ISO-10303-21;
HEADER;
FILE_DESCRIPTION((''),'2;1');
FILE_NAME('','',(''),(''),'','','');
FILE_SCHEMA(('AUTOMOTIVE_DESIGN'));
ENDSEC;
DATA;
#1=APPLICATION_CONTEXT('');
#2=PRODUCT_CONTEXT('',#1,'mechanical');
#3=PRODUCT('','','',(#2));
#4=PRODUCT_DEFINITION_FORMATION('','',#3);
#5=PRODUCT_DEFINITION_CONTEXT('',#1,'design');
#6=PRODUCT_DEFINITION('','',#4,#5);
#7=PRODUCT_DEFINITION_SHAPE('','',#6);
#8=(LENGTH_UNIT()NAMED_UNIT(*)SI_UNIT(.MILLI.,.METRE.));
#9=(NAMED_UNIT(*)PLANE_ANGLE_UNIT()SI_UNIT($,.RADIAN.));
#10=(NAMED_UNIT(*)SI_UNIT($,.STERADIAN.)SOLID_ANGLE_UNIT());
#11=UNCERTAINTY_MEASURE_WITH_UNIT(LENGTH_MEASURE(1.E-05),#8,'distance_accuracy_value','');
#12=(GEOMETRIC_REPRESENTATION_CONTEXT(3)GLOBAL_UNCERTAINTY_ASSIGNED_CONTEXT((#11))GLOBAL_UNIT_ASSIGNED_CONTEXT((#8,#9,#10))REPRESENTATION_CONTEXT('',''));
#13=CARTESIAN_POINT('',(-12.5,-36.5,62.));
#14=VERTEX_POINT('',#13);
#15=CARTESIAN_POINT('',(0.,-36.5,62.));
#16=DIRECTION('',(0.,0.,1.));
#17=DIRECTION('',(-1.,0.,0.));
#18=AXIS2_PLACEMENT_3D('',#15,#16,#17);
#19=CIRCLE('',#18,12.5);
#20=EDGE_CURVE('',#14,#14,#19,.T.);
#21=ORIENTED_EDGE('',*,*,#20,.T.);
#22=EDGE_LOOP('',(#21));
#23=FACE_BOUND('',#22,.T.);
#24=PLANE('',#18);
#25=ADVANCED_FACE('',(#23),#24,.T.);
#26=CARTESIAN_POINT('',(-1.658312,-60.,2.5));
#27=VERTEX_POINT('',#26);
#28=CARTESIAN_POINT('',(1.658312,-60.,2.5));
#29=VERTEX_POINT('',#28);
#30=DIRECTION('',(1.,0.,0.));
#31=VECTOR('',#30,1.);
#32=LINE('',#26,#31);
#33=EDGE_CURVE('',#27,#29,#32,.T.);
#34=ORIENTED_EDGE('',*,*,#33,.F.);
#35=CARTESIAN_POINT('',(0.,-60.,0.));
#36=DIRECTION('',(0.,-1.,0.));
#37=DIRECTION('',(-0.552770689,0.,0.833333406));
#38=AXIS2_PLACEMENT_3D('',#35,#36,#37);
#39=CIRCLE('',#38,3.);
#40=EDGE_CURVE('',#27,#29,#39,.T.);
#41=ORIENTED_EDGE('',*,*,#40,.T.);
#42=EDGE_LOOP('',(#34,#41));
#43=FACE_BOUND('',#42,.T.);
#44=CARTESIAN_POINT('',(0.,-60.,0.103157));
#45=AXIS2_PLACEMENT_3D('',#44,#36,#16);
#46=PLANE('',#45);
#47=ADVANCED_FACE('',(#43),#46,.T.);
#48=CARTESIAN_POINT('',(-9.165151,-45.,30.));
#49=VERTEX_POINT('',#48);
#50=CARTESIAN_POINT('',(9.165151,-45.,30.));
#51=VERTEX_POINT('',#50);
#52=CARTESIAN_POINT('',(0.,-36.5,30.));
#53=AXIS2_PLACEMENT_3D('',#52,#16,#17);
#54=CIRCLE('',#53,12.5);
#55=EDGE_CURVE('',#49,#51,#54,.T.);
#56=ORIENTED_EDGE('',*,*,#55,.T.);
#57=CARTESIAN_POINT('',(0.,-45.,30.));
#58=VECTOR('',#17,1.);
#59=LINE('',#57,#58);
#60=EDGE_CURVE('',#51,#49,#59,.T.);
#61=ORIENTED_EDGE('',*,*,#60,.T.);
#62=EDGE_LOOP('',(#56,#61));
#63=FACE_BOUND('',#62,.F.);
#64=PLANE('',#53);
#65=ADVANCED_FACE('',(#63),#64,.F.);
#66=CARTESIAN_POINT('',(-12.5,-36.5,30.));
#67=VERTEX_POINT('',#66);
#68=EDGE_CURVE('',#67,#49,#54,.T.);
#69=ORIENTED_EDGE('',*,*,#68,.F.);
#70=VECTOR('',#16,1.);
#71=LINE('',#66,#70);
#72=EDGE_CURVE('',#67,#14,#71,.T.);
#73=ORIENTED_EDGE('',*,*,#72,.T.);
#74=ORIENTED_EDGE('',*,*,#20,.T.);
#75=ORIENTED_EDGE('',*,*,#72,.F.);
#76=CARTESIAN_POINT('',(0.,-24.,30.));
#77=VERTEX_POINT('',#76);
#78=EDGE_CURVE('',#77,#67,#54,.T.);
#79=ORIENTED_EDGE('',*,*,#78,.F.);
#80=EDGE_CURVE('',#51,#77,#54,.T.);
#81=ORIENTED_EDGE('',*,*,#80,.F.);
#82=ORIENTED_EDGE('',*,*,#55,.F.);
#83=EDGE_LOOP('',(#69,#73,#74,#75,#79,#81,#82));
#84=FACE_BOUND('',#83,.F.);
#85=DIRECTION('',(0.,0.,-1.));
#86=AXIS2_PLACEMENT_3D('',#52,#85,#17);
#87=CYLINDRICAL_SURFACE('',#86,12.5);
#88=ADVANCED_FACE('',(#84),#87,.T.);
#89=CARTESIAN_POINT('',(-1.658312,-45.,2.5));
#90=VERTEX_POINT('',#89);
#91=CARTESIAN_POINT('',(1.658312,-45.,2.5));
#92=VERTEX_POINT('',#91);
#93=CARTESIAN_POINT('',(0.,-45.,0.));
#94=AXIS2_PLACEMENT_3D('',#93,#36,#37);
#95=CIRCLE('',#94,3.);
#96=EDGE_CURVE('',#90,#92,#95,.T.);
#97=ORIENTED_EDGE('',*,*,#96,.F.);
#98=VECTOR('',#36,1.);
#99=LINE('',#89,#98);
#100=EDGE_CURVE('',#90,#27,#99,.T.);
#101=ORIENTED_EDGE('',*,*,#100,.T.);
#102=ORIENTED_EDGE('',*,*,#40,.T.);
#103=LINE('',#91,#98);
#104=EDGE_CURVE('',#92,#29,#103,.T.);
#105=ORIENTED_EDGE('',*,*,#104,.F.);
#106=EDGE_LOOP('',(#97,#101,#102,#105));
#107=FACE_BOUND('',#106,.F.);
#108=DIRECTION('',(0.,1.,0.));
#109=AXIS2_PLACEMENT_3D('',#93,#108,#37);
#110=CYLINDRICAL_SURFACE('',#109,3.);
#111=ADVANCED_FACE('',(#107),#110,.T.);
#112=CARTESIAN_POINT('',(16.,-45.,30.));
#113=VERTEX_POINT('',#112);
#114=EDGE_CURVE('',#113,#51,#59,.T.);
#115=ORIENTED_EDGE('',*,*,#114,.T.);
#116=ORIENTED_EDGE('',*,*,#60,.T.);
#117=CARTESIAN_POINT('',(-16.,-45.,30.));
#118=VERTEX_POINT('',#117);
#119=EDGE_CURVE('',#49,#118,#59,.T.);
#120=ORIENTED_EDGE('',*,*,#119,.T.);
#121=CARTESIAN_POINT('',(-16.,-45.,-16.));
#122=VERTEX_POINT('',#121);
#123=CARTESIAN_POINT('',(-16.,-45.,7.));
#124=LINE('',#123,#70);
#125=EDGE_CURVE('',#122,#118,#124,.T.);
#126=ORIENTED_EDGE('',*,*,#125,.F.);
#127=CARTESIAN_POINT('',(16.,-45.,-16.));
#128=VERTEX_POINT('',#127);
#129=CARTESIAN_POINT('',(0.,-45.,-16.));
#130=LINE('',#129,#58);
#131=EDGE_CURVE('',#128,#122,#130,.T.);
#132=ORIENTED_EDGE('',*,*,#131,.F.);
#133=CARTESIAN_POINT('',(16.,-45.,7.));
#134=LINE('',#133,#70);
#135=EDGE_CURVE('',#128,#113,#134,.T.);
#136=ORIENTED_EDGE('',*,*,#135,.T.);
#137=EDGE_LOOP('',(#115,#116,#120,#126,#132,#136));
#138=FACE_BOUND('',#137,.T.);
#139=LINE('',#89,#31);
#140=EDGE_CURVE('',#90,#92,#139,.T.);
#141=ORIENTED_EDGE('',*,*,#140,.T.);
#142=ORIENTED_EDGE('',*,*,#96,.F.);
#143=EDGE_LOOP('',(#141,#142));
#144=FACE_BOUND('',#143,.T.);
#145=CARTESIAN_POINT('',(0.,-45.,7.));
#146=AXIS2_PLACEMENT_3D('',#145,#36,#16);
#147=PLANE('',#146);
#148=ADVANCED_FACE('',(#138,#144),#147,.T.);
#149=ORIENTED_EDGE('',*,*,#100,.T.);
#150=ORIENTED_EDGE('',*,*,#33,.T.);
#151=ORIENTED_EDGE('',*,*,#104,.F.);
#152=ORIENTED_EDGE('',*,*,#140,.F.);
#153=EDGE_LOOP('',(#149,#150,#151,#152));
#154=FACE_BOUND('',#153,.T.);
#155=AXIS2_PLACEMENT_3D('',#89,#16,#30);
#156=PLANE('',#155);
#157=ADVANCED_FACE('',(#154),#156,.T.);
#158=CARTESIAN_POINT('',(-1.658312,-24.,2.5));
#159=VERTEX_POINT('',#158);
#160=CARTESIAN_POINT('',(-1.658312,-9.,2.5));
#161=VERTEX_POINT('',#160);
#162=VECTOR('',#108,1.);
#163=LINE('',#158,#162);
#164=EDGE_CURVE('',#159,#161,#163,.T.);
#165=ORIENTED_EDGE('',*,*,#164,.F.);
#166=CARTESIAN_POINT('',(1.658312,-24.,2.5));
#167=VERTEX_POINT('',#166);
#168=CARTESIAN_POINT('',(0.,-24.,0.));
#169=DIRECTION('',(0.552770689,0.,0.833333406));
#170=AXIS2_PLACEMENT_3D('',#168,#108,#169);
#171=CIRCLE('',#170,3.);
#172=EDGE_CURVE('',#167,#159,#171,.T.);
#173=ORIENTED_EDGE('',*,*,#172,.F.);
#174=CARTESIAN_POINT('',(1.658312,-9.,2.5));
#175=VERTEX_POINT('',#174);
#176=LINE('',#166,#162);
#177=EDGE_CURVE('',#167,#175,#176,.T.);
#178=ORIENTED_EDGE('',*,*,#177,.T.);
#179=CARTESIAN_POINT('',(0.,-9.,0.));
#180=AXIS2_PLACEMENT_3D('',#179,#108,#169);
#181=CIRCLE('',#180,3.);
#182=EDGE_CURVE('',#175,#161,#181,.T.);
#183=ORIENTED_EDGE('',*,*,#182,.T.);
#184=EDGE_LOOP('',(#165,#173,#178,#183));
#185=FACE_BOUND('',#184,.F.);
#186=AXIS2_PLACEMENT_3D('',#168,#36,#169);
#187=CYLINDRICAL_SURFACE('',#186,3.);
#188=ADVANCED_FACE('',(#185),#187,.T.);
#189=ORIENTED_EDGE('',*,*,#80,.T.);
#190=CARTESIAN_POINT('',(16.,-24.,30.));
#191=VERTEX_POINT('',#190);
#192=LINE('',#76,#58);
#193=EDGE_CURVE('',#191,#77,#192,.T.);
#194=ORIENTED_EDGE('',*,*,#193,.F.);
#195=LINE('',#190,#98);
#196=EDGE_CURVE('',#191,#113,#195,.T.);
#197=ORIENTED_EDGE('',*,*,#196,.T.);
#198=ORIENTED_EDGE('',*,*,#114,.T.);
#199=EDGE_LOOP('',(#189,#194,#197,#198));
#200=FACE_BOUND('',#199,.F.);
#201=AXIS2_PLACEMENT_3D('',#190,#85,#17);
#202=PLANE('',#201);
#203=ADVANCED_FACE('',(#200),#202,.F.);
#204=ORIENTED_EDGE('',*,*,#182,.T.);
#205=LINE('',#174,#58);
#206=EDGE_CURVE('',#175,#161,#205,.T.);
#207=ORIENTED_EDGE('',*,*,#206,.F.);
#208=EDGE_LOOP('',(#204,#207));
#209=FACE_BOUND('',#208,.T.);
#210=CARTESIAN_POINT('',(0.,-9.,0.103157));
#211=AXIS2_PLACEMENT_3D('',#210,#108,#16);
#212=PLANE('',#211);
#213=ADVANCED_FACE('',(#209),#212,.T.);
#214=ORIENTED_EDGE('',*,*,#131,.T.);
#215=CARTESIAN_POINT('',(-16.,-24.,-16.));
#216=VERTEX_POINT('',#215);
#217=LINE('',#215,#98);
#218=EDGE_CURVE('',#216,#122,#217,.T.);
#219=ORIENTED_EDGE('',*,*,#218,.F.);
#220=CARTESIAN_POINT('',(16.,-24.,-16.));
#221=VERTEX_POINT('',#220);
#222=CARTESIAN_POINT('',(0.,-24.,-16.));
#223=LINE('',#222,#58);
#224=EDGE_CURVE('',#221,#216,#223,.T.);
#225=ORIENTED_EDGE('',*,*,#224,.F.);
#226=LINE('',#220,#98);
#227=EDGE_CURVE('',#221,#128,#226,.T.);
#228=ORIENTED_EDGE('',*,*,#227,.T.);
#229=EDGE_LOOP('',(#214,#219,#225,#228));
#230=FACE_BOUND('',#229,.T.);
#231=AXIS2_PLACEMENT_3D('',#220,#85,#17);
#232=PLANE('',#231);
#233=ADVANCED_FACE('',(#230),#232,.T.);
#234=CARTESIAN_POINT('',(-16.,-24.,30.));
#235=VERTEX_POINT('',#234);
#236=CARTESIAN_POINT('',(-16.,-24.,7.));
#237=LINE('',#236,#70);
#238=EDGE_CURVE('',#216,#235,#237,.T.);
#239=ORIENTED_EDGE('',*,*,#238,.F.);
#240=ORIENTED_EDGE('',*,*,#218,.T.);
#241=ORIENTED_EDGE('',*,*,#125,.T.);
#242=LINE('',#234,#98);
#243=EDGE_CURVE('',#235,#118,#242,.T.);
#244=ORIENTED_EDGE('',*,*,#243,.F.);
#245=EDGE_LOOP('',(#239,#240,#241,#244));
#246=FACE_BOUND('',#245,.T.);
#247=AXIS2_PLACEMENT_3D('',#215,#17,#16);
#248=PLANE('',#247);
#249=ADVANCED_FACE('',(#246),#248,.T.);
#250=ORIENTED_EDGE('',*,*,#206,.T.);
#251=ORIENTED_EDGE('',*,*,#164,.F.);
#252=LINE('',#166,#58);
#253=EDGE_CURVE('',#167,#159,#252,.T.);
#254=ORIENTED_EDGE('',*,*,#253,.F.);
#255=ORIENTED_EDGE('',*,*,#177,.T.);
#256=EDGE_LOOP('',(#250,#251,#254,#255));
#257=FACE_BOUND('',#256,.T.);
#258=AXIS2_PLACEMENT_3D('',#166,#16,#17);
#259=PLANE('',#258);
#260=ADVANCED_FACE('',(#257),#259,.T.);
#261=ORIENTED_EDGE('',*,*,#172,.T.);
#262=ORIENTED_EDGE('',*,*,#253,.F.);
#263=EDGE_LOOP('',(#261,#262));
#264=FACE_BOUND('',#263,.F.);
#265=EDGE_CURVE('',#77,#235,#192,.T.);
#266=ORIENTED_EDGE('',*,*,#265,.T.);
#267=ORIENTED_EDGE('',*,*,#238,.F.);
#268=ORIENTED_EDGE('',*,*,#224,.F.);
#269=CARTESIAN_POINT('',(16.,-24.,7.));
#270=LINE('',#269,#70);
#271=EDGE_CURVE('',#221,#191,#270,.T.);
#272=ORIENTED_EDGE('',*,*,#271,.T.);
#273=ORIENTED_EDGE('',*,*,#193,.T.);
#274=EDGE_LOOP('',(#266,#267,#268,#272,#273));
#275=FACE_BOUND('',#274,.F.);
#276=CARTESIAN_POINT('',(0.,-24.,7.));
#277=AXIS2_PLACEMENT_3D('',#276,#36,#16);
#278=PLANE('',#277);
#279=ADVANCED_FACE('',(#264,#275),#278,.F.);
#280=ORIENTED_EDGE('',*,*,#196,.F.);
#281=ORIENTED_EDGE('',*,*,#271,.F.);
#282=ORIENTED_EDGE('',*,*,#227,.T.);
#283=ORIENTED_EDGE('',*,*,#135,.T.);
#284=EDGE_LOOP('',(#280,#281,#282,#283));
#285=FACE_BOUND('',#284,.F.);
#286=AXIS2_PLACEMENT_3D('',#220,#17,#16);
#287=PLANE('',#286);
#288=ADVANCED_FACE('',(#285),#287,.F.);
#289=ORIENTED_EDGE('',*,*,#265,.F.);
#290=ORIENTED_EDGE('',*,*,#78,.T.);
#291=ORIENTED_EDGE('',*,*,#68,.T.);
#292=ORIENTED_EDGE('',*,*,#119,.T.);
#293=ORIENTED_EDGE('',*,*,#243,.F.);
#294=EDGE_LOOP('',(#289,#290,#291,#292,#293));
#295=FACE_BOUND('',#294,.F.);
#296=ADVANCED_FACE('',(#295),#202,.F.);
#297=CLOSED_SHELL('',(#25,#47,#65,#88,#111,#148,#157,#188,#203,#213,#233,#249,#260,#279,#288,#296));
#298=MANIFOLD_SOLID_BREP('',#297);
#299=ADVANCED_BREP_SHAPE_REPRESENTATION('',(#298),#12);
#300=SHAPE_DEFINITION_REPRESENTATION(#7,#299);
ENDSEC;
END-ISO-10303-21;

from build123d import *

# Parameters (mm, degrees)
SKETCH190_W             = 46
SKETCH190_H             = 32
PAD124_DEPTH            = 21
SKETCH191_R             = 12.5
PAD125_DEPTH            = 32
PAD126_DEPTH            = 15
PAD127_DEPTH            = 15
BODY099_PITCH_ANGLE     = -90
BODY099_PLACEMENT_ANGLE = 90


with BuildPart() as part:
    # Sketch190 → Pad124 (new body)
    with BuildSketch(Plane.XY):
        with Locations((7, 0)):
            Rectangle(SKETCH190_W, SKETCH190_H)
    extrude(amount=PAD124_DEPTH)

    # Sketch191 (on Face2 of Pad124) → Pad125 (join)
    with BuildSketch(Plane.YZ.offset(30)):
        with Locations((0, 12.5)):
            Circle(SKETCH191_R)
    extrude(amount=PAD125_DEPTH)

    # Sketch192 (on Face4 of Pad125) → Pad126 (join)
    with BuildSketch(Plane(origin=(0, 0, 0), x_dir=(1, 0, 0), z_dir=(0, 0, -1))):
        with BuildLine():
            ThreePointArc((2.5, 1.658312), (-3, 0), (2.5, -1.658312))
            Line((2.5, 1.658312), (2.5, -1.658312))
        make_face()
    extrude(amount=PAD126_DEPTH)

    # Sketch193 (on Face5 of Pad126) → Pad127 (join)
    with BuildSketch(Plane.XY.offset(21)):
        with BuildLine():
            ThreePointArc((2.5, 1.658312), (-3, 0), (2.5, -1.658312))
            Line((2.5, 1.658312), (2.5, -1.658312))
        make_face()
    extrude(amount=PAD127_DEPTH)


with BuildPart() as part_1:
    # Body099 pitch: moved
    add(part.part.rotate(Axis((0, 0, 0), (0, 1, 0)), BODY099_PITCH_ANGLE))


with BuildPart() as part_2:
    # Body099 placement: moved
    add(part_1.part.moved(Location((0, -24, 0))).rotate(Axis((0, -24, 0), (0, 0, 1)), BODY099_PLACEMENT_ANGLE))


solid = part_2.part
